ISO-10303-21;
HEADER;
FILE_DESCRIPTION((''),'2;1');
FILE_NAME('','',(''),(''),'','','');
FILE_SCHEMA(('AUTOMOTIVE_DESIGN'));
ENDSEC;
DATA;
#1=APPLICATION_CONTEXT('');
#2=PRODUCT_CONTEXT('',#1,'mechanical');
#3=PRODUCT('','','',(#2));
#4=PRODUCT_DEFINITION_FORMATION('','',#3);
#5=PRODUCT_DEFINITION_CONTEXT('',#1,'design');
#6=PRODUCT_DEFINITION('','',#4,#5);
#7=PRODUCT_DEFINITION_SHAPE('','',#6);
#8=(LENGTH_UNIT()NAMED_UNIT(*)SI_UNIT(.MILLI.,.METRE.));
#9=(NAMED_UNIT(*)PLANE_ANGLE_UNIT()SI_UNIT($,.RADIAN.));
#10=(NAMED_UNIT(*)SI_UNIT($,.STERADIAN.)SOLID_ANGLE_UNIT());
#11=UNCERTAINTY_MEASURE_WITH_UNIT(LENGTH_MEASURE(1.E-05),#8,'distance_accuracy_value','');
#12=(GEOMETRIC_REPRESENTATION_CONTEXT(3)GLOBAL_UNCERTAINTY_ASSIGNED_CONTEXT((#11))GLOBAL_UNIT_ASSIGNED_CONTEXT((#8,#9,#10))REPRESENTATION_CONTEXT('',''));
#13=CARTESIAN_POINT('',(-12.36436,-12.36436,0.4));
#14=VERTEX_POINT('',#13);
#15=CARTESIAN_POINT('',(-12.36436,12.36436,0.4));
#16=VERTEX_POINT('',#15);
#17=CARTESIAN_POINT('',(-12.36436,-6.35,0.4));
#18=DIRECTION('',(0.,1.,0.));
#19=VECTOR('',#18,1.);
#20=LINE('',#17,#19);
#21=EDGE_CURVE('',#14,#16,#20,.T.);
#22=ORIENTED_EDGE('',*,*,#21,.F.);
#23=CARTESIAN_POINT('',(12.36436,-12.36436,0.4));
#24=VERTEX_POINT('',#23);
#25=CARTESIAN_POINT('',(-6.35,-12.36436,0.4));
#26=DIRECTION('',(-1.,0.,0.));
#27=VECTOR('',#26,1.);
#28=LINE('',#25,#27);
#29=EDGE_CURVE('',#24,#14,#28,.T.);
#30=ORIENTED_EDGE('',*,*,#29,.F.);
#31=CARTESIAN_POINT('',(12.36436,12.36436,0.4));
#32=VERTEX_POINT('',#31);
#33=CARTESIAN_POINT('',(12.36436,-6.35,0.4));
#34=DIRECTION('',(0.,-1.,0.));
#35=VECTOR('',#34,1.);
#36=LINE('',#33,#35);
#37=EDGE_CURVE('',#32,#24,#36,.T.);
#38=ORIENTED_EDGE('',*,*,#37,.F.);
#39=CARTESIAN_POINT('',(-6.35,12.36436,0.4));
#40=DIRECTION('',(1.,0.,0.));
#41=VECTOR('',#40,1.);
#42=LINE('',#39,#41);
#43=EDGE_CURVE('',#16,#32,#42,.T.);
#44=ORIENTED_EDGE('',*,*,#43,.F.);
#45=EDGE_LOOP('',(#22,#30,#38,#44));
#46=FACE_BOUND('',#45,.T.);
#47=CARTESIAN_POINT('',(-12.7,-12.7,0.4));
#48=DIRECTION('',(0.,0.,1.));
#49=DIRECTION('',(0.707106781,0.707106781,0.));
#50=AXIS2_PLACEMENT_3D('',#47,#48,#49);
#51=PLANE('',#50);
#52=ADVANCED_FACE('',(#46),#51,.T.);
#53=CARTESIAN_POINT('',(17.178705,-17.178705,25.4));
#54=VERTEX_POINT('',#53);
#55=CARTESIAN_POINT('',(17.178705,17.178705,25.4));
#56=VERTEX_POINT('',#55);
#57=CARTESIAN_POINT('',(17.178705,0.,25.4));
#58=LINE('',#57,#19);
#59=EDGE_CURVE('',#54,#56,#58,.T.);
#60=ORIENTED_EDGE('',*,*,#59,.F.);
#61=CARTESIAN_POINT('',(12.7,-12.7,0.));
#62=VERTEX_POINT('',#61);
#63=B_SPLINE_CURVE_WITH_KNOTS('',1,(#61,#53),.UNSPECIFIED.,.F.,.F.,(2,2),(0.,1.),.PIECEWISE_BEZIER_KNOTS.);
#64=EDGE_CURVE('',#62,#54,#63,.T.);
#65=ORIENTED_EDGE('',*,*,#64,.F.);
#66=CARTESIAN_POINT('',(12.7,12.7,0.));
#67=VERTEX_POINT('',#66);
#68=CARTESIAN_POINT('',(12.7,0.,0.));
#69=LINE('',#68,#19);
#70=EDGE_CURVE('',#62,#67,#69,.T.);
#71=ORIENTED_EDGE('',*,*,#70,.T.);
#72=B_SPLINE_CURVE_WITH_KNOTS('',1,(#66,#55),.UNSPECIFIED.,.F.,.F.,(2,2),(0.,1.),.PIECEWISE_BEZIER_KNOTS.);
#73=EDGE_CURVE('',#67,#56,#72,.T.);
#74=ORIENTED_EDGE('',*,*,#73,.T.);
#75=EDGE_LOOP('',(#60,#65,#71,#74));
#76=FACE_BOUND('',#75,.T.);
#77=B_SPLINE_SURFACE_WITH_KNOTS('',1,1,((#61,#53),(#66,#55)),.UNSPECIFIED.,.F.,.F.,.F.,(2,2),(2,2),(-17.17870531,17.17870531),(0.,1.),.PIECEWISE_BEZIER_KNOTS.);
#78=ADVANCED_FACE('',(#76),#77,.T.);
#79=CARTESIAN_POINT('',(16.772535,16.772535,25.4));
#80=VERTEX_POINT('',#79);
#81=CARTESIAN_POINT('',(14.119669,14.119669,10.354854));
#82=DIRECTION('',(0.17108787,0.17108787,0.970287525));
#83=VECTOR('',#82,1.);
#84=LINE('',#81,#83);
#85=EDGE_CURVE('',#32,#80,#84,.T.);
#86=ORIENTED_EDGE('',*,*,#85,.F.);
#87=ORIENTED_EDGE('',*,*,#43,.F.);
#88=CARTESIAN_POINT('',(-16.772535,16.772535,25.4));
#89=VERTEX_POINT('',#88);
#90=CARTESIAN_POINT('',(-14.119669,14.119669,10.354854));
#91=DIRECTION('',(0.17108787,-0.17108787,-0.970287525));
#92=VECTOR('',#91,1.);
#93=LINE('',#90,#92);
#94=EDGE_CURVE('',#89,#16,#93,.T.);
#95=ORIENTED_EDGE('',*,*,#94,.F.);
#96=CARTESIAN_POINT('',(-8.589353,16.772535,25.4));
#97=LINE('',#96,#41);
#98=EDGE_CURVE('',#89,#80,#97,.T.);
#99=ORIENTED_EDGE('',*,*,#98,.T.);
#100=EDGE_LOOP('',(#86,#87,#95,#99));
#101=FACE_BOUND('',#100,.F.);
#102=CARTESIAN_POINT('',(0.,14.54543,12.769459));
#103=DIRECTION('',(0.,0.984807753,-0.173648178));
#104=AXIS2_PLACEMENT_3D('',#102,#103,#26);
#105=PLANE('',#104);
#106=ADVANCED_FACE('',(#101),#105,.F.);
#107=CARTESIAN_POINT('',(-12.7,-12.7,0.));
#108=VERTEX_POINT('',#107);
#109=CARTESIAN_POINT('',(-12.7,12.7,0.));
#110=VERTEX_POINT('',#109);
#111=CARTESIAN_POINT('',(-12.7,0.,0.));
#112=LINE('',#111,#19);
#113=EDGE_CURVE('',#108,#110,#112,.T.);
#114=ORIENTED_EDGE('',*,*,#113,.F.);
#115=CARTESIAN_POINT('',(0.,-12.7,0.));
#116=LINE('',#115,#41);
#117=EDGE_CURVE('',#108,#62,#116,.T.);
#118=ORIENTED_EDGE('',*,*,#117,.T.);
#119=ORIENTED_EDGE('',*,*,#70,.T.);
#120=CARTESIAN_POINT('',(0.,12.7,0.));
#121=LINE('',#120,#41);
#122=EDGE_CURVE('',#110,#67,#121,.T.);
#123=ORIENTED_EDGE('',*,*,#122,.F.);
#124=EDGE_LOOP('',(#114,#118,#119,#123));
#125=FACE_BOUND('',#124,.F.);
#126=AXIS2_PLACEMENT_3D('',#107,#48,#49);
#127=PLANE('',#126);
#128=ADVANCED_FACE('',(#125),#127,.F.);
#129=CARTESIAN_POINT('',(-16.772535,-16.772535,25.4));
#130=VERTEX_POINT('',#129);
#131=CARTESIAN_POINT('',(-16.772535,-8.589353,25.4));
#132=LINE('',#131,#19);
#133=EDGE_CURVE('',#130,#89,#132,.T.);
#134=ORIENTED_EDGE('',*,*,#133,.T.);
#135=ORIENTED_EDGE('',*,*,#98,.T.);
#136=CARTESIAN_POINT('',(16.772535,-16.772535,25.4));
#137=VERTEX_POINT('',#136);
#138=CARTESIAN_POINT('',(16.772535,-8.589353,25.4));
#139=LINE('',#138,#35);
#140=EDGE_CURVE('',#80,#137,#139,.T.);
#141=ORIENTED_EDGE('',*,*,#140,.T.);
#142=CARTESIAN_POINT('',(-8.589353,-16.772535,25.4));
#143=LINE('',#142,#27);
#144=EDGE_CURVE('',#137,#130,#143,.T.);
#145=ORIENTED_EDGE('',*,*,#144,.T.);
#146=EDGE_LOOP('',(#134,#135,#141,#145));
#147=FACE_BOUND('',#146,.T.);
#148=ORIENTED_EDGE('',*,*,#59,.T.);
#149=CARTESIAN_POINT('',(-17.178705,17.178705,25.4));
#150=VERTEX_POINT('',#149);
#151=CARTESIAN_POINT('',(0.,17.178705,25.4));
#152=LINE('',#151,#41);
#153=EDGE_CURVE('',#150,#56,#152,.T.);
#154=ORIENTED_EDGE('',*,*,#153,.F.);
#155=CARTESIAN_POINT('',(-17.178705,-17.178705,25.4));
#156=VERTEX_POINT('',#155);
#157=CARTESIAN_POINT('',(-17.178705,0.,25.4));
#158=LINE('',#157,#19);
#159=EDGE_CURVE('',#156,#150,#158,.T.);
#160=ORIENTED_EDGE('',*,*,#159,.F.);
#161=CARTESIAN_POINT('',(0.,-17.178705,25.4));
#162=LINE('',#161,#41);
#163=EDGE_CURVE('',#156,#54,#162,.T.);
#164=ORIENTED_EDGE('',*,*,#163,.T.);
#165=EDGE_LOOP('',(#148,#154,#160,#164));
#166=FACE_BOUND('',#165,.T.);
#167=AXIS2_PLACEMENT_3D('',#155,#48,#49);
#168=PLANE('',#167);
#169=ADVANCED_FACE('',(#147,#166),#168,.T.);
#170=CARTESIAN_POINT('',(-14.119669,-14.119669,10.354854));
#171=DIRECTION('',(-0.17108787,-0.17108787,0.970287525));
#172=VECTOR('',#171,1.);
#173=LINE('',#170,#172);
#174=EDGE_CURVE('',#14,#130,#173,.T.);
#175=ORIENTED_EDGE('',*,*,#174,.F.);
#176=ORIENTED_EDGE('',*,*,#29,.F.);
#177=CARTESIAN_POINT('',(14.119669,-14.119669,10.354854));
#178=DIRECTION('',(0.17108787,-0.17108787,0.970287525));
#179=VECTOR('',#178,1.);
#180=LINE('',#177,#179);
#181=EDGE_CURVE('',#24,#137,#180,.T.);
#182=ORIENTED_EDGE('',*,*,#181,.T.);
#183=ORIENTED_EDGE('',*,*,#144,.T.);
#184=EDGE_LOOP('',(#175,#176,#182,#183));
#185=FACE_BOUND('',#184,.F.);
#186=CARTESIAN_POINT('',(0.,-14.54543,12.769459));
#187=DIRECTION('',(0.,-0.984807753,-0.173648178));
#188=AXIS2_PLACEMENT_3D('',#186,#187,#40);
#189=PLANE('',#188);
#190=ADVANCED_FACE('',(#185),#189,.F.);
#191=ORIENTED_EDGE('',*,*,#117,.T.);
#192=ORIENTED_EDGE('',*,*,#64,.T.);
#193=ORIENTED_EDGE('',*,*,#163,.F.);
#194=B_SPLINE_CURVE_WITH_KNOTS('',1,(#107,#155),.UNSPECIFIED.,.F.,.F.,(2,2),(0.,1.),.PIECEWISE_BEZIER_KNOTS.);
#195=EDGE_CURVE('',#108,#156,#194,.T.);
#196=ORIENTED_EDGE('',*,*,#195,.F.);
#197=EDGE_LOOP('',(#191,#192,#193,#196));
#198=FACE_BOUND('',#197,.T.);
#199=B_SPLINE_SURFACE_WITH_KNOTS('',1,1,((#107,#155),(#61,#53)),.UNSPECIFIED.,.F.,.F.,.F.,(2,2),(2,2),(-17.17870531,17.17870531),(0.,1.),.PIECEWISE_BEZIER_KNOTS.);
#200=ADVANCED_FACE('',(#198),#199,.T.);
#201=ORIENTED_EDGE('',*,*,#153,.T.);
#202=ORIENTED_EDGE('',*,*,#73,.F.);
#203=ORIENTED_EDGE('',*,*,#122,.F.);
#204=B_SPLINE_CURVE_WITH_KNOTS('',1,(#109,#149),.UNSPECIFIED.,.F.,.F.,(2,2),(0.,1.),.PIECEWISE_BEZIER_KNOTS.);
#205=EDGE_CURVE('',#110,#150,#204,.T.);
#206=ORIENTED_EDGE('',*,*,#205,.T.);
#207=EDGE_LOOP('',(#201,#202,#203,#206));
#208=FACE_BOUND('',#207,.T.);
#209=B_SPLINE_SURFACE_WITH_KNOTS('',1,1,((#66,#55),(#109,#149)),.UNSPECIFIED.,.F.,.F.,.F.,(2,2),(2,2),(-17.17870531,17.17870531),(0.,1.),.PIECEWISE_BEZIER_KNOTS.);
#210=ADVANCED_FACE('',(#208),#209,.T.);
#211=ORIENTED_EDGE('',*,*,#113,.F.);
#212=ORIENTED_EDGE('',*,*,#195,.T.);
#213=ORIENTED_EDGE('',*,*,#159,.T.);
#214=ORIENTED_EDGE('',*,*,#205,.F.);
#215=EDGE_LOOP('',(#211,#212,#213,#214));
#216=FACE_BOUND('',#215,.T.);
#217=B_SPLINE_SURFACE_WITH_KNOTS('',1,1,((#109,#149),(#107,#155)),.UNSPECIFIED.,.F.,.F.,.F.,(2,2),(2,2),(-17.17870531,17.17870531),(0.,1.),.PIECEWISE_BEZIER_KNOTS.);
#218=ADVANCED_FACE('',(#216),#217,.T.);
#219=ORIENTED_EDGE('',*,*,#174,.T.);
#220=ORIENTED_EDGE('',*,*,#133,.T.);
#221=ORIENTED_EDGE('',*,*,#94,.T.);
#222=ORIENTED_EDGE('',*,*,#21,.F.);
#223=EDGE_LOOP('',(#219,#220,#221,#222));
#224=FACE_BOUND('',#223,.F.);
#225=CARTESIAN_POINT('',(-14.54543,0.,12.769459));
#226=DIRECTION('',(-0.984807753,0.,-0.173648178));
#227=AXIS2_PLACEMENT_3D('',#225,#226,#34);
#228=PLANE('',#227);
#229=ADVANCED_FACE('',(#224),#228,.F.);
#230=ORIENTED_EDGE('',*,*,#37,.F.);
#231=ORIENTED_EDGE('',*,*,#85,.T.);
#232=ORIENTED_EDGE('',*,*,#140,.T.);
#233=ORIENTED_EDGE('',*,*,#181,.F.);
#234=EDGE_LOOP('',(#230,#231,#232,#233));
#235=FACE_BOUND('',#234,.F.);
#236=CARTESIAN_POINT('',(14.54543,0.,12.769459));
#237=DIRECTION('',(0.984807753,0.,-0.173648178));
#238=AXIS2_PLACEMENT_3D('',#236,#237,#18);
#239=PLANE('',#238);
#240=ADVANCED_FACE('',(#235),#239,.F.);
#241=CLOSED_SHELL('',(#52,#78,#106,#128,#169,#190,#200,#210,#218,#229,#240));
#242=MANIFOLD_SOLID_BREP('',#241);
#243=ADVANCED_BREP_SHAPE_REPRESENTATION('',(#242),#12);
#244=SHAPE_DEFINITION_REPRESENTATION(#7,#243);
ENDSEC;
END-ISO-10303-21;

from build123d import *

# Parameters (mm, degrees)
F0_W     = 25.4
F0_H     = 25.4
F1_DEPTH = 25.4
F1_TAPER = -10
F2_T     = -0.4


with BuildPart() as f1:
    # F0 (on Top) → F1 (new body)
    with BuildSketch(Plane.XY):
        Rectangle(F0_W, F0_H)
    extrude(amount=F1_DEPTH, taper=F1_TAPER)

    # F2
    f2_openings = [f1.faces().sort_by_distance(p)[0] for p in [
        (0, 0, 25.4),
    ]]
    offset(amount=F2_T, openings=f2_openings)


solid = f1.part
